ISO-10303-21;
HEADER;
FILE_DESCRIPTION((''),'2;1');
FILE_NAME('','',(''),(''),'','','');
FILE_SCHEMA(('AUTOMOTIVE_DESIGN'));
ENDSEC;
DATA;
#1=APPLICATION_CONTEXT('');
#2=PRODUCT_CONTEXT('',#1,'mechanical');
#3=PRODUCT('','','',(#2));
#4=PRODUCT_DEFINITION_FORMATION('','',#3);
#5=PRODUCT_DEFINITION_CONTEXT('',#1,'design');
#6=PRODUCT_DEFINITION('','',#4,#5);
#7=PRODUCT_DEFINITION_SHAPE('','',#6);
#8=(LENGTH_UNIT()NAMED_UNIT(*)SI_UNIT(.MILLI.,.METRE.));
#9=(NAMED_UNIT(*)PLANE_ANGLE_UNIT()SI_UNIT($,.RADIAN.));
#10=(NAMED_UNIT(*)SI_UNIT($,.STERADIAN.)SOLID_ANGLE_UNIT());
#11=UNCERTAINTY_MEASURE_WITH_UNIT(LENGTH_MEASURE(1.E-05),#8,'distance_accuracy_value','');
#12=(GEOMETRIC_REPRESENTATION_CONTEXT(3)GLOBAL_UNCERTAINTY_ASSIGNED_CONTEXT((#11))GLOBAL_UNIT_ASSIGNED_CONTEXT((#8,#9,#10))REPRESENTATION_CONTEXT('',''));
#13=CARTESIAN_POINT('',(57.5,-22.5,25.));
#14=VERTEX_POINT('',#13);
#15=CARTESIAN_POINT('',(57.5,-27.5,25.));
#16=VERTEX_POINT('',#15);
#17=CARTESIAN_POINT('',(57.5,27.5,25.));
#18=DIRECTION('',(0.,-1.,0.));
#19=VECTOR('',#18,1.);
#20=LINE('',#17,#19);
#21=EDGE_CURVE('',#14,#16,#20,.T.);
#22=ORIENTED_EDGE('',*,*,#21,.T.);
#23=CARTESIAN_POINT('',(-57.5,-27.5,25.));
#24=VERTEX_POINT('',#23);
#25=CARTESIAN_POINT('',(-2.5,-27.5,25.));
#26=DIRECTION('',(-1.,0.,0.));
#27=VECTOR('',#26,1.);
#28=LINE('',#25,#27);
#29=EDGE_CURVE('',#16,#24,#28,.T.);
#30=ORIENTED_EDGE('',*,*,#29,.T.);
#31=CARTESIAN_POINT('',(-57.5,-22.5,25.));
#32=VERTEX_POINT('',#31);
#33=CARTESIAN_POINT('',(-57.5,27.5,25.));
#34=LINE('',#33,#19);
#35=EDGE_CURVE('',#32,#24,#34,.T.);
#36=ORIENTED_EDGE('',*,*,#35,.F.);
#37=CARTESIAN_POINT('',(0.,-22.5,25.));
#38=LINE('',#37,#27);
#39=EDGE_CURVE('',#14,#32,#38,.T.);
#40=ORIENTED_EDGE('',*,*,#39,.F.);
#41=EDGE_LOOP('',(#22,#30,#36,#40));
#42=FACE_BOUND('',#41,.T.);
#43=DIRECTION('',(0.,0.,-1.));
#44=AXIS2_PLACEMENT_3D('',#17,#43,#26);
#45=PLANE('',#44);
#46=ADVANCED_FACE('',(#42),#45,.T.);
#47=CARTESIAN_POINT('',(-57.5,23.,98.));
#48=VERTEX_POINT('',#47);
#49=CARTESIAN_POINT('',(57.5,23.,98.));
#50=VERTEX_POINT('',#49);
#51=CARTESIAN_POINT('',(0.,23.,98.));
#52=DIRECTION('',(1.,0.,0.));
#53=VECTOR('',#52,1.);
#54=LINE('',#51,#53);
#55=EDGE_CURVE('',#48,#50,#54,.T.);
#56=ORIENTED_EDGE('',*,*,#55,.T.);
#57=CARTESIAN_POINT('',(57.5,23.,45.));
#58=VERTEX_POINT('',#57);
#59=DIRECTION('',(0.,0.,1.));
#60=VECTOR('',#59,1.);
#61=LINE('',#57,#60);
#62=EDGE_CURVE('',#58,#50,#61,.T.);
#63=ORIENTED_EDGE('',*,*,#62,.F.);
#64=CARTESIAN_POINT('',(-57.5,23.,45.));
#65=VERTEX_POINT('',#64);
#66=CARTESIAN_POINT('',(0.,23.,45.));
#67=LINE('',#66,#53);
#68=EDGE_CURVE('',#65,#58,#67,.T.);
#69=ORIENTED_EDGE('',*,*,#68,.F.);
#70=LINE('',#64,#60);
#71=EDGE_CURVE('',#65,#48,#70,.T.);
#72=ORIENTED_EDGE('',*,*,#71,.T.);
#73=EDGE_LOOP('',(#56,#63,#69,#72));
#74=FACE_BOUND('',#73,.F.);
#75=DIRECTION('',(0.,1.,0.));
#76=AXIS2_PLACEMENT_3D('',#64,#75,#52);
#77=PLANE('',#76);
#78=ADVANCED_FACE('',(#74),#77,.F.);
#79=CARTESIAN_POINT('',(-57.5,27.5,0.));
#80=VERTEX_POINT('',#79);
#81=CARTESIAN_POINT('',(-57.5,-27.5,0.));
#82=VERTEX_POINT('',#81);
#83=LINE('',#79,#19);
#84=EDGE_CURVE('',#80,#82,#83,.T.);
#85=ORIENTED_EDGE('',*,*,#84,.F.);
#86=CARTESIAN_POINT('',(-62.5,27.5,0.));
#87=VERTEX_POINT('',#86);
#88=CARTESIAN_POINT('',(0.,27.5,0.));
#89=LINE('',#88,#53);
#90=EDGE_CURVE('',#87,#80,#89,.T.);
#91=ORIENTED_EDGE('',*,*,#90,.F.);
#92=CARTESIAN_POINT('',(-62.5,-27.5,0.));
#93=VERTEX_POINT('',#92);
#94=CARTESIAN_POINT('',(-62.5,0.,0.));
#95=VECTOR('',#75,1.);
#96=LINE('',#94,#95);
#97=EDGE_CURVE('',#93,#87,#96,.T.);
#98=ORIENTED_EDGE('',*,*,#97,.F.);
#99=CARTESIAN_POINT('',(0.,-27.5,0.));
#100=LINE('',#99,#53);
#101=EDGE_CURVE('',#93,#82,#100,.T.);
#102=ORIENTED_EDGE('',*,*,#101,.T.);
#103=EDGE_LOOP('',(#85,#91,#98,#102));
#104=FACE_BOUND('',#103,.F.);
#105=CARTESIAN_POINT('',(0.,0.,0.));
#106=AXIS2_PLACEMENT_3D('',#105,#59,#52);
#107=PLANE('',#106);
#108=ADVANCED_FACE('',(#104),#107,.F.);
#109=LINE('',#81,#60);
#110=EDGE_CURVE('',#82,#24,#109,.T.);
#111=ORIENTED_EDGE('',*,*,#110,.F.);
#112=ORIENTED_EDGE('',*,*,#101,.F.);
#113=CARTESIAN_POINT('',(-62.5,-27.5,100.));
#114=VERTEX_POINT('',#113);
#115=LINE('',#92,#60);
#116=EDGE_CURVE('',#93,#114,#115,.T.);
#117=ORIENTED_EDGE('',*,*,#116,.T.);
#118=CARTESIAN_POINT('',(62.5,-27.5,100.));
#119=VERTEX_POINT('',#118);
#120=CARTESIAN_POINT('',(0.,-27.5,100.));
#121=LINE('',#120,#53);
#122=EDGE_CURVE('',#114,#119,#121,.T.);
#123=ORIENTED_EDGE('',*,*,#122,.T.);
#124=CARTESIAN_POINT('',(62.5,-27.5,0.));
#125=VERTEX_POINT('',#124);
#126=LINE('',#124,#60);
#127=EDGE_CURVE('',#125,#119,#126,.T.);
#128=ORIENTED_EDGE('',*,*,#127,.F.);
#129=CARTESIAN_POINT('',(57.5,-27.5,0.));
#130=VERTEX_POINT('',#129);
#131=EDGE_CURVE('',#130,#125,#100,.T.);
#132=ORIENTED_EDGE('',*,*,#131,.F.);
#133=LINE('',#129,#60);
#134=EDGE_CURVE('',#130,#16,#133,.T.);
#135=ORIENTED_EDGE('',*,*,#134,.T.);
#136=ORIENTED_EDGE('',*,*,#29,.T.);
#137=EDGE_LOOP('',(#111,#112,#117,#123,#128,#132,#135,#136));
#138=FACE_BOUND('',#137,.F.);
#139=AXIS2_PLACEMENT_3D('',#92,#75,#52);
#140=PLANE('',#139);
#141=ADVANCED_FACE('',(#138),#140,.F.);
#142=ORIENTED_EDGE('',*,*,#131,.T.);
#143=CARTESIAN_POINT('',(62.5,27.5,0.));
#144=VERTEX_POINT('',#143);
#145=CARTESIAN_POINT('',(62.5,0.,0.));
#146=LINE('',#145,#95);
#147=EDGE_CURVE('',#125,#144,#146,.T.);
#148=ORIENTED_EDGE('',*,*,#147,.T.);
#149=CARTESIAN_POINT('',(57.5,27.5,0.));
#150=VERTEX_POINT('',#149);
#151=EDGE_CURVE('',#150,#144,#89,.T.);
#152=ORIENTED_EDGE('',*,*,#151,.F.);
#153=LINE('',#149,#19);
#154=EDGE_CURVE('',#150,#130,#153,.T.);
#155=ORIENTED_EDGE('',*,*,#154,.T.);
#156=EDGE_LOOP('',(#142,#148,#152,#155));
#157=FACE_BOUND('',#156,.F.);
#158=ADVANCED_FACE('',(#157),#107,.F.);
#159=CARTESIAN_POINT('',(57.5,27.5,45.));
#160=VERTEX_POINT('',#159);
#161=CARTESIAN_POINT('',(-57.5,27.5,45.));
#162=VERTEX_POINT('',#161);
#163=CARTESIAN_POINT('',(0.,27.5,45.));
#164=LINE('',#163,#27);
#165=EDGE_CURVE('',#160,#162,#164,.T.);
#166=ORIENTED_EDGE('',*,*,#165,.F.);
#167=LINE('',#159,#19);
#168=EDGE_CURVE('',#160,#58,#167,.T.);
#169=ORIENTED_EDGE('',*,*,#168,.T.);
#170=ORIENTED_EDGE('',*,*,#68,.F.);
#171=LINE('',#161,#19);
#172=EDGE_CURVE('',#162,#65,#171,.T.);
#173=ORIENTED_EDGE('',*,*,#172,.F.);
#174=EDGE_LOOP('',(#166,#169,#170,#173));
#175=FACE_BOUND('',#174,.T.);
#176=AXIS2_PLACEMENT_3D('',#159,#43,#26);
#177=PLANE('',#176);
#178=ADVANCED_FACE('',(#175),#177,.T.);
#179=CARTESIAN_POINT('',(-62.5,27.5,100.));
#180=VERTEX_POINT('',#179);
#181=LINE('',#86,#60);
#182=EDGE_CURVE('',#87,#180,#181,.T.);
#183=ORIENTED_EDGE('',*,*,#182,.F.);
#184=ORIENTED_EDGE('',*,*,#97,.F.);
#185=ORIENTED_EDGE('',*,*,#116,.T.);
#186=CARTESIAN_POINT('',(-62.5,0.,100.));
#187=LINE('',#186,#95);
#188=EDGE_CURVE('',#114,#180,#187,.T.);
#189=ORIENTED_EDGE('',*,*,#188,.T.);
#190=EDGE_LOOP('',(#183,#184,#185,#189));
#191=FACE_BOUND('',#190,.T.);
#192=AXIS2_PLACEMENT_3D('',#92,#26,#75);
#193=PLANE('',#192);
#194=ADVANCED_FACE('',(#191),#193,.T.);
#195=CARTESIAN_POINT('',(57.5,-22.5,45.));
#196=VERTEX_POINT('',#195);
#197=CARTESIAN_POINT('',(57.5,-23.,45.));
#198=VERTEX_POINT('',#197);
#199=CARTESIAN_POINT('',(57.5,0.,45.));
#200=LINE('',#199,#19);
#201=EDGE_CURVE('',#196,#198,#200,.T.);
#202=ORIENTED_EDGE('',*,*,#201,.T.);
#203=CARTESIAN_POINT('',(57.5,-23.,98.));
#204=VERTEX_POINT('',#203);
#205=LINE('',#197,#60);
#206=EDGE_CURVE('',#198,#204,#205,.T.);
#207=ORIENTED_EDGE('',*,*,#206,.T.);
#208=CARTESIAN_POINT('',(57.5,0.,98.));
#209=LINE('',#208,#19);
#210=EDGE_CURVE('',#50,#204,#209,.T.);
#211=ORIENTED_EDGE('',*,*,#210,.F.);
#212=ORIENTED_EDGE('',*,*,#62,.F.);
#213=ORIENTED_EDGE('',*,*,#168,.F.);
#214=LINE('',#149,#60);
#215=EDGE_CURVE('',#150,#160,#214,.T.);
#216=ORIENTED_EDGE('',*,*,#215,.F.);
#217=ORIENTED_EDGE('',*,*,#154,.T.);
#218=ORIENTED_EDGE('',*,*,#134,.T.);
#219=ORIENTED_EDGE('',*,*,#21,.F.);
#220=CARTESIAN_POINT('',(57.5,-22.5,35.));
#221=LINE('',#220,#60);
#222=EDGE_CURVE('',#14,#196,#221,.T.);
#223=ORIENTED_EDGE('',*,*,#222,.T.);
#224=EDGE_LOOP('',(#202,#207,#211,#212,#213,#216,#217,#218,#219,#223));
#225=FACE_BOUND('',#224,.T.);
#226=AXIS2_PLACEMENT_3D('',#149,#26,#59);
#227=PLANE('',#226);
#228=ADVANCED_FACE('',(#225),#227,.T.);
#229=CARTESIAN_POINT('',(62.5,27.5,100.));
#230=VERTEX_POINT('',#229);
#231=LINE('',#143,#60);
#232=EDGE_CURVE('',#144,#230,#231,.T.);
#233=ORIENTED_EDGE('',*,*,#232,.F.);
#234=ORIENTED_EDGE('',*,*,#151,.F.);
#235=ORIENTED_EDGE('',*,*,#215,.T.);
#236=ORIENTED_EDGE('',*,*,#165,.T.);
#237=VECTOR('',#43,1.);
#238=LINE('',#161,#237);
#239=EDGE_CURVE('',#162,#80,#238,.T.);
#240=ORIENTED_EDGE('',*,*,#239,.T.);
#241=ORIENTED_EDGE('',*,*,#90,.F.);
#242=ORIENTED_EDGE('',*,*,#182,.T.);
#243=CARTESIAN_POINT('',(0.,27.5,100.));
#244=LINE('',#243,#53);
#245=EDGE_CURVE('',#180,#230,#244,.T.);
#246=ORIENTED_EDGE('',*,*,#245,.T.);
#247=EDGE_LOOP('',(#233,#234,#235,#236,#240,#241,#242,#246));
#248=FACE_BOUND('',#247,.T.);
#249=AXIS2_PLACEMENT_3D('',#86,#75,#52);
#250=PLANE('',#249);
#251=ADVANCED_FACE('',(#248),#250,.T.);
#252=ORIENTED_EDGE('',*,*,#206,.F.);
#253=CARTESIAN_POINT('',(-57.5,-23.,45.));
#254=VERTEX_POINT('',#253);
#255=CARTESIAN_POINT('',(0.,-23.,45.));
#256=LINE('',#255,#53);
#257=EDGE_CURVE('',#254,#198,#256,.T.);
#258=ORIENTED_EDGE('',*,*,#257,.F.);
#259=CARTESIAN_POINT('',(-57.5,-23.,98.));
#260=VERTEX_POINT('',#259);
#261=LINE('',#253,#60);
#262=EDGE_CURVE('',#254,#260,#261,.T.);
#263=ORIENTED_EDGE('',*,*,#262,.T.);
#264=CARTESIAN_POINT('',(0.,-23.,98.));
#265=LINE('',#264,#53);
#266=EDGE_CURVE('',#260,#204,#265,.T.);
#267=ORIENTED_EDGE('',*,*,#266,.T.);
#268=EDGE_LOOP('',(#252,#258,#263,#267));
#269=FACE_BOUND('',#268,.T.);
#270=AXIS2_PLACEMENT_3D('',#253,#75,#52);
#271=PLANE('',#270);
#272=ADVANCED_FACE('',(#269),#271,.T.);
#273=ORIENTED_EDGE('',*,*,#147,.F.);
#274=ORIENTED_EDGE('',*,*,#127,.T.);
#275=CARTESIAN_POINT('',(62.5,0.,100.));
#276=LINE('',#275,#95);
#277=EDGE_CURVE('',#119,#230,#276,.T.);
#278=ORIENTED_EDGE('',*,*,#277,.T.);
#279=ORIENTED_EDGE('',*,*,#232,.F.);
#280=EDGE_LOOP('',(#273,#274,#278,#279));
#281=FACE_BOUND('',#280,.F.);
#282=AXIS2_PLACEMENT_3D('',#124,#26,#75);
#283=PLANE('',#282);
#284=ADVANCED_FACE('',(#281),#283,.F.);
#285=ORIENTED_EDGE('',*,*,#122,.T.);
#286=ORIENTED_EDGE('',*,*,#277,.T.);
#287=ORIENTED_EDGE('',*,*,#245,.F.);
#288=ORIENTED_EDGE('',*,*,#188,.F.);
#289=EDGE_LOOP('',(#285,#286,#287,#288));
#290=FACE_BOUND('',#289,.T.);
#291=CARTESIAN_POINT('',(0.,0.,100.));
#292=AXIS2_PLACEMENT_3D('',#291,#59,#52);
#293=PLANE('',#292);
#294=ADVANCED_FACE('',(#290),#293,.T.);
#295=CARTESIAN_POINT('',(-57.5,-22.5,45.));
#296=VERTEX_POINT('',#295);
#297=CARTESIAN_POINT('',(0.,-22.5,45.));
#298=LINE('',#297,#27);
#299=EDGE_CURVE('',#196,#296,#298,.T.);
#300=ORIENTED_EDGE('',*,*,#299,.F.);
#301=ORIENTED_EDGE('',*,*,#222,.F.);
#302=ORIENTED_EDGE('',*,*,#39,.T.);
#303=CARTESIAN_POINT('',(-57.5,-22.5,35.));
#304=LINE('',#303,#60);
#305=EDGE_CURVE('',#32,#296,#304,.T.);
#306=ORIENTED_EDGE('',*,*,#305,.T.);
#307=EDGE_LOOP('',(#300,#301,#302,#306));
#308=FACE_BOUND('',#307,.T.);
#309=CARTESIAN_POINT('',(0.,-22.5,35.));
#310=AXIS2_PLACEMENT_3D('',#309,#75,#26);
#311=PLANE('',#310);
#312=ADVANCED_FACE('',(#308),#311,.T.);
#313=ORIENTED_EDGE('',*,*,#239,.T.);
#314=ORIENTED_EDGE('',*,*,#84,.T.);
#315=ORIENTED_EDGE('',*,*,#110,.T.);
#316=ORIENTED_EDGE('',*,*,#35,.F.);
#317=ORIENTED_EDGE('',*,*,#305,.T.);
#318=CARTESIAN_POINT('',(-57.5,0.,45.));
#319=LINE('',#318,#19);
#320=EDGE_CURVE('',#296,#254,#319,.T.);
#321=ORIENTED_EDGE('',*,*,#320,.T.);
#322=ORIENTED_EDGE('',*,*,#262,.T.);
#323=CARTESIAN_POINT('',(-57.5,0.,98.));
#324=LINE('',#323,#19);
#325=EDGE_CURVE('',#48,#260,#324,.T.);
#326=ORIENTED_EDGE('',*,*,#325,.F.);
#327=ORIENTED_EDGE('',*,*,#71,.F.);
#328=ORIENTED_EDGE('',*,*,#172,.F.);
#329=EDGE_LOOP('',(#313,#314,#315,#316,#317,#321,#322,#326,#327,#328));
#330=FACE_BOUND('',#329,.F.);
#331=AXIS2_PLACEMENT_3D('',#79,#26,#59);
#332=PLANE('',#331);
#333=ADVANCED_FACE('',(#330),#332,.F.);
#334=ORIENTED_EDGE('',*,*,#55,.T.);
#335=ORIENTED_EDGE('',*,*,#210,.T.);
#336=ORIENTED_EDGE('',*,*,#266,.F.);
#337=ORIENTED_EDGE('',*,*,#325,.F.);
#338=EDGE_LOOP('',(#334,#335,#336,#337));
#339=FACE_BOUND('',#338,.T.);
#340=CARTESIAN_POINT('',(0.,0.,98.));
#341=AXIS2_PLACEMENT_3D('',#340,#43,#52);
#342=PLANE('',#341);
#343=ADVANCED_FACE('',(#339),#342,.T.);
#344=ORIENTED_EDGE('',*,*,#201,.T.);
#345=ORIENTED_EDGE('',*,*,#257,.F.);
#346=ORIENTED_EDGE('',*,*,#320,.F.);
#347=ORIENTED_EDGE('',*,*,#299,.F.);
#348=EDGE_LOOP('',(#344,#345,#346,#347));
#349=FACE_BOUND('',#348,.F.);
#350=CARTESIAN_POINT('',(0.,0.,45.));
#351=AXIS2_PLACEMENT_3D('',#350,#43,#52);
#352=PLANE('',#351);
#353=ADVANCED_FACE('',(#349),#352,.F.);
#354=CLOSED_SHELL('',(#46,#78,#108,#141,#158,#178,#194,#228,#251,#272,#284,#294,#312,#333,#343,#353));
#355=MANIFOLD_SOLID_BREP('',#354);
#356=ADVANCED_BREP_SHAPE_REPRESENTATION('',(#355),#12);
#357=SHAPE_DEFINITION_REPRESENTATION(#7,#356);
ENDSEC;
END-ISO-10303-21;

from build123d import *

# Parameters (mm, degrees)
SKETCH008_W     = 125
SKETCH008_H     = 55
PAD008_DEPTH    = 100
SKETCH010_W     = 115
SKETCH010_H     = 25
POCKET_DEPTH    = 60
SKETCH011_W     = 115
SKETCH011_H     = 20
POCKET001_DEPTH = 50
SKETCH012_W     = 115
SKETCH012_H     = 46
POCKET002_DEPTH = 53


with BuildPart() as part:
    # Sketch008 → Pad008 (new body)
    with BuildSketch(Plane.XY):
        Rectangle(SKETCH008_W, SKETCH008_H)
    extrude(amount=PAD008_DEPTH)

    # Sketch010 → Pocket (cut)
    with BuildSketch(Plane(origin=(0, 27.5, 0), x_dir=(-1, 0, 0), z_dir=(0, 1, 0))):
        with Locations((0, 12.5)):
            Rectangle(SKETCH010_W, SKETCH010_H)
    extrude(amount=-POCKET_DEPTH, mode=Mode.SUBTRACT)

    # Sketch011 → Pocket001 (cut)
    with BuildSketch(Plane(origin=(0, 27.5, 0), x_dir=(-1, 0, 0), z_dir=(0, 1, 0))):
        with Locations((0, 35)):
            Rectangle(SKETCH011_W, SKETCH011_H)
    extrude(amount=-POCKET001_DEPTH, mode=Mode.SUBTRACT)

    # Sketch012 → Pocket002 (cut)
    with BuildSketch(Plane(origin=(0, 0, 45), x_dir=(1, 0, 0), z_dir=(0, 0, -1))):
        Rectangle(SKETCH012_W, SKETCH012_H)
    extrude(amount=-POCKET002_DEPTH, mode=Mode.SUBTRACT)


solid = part.part
